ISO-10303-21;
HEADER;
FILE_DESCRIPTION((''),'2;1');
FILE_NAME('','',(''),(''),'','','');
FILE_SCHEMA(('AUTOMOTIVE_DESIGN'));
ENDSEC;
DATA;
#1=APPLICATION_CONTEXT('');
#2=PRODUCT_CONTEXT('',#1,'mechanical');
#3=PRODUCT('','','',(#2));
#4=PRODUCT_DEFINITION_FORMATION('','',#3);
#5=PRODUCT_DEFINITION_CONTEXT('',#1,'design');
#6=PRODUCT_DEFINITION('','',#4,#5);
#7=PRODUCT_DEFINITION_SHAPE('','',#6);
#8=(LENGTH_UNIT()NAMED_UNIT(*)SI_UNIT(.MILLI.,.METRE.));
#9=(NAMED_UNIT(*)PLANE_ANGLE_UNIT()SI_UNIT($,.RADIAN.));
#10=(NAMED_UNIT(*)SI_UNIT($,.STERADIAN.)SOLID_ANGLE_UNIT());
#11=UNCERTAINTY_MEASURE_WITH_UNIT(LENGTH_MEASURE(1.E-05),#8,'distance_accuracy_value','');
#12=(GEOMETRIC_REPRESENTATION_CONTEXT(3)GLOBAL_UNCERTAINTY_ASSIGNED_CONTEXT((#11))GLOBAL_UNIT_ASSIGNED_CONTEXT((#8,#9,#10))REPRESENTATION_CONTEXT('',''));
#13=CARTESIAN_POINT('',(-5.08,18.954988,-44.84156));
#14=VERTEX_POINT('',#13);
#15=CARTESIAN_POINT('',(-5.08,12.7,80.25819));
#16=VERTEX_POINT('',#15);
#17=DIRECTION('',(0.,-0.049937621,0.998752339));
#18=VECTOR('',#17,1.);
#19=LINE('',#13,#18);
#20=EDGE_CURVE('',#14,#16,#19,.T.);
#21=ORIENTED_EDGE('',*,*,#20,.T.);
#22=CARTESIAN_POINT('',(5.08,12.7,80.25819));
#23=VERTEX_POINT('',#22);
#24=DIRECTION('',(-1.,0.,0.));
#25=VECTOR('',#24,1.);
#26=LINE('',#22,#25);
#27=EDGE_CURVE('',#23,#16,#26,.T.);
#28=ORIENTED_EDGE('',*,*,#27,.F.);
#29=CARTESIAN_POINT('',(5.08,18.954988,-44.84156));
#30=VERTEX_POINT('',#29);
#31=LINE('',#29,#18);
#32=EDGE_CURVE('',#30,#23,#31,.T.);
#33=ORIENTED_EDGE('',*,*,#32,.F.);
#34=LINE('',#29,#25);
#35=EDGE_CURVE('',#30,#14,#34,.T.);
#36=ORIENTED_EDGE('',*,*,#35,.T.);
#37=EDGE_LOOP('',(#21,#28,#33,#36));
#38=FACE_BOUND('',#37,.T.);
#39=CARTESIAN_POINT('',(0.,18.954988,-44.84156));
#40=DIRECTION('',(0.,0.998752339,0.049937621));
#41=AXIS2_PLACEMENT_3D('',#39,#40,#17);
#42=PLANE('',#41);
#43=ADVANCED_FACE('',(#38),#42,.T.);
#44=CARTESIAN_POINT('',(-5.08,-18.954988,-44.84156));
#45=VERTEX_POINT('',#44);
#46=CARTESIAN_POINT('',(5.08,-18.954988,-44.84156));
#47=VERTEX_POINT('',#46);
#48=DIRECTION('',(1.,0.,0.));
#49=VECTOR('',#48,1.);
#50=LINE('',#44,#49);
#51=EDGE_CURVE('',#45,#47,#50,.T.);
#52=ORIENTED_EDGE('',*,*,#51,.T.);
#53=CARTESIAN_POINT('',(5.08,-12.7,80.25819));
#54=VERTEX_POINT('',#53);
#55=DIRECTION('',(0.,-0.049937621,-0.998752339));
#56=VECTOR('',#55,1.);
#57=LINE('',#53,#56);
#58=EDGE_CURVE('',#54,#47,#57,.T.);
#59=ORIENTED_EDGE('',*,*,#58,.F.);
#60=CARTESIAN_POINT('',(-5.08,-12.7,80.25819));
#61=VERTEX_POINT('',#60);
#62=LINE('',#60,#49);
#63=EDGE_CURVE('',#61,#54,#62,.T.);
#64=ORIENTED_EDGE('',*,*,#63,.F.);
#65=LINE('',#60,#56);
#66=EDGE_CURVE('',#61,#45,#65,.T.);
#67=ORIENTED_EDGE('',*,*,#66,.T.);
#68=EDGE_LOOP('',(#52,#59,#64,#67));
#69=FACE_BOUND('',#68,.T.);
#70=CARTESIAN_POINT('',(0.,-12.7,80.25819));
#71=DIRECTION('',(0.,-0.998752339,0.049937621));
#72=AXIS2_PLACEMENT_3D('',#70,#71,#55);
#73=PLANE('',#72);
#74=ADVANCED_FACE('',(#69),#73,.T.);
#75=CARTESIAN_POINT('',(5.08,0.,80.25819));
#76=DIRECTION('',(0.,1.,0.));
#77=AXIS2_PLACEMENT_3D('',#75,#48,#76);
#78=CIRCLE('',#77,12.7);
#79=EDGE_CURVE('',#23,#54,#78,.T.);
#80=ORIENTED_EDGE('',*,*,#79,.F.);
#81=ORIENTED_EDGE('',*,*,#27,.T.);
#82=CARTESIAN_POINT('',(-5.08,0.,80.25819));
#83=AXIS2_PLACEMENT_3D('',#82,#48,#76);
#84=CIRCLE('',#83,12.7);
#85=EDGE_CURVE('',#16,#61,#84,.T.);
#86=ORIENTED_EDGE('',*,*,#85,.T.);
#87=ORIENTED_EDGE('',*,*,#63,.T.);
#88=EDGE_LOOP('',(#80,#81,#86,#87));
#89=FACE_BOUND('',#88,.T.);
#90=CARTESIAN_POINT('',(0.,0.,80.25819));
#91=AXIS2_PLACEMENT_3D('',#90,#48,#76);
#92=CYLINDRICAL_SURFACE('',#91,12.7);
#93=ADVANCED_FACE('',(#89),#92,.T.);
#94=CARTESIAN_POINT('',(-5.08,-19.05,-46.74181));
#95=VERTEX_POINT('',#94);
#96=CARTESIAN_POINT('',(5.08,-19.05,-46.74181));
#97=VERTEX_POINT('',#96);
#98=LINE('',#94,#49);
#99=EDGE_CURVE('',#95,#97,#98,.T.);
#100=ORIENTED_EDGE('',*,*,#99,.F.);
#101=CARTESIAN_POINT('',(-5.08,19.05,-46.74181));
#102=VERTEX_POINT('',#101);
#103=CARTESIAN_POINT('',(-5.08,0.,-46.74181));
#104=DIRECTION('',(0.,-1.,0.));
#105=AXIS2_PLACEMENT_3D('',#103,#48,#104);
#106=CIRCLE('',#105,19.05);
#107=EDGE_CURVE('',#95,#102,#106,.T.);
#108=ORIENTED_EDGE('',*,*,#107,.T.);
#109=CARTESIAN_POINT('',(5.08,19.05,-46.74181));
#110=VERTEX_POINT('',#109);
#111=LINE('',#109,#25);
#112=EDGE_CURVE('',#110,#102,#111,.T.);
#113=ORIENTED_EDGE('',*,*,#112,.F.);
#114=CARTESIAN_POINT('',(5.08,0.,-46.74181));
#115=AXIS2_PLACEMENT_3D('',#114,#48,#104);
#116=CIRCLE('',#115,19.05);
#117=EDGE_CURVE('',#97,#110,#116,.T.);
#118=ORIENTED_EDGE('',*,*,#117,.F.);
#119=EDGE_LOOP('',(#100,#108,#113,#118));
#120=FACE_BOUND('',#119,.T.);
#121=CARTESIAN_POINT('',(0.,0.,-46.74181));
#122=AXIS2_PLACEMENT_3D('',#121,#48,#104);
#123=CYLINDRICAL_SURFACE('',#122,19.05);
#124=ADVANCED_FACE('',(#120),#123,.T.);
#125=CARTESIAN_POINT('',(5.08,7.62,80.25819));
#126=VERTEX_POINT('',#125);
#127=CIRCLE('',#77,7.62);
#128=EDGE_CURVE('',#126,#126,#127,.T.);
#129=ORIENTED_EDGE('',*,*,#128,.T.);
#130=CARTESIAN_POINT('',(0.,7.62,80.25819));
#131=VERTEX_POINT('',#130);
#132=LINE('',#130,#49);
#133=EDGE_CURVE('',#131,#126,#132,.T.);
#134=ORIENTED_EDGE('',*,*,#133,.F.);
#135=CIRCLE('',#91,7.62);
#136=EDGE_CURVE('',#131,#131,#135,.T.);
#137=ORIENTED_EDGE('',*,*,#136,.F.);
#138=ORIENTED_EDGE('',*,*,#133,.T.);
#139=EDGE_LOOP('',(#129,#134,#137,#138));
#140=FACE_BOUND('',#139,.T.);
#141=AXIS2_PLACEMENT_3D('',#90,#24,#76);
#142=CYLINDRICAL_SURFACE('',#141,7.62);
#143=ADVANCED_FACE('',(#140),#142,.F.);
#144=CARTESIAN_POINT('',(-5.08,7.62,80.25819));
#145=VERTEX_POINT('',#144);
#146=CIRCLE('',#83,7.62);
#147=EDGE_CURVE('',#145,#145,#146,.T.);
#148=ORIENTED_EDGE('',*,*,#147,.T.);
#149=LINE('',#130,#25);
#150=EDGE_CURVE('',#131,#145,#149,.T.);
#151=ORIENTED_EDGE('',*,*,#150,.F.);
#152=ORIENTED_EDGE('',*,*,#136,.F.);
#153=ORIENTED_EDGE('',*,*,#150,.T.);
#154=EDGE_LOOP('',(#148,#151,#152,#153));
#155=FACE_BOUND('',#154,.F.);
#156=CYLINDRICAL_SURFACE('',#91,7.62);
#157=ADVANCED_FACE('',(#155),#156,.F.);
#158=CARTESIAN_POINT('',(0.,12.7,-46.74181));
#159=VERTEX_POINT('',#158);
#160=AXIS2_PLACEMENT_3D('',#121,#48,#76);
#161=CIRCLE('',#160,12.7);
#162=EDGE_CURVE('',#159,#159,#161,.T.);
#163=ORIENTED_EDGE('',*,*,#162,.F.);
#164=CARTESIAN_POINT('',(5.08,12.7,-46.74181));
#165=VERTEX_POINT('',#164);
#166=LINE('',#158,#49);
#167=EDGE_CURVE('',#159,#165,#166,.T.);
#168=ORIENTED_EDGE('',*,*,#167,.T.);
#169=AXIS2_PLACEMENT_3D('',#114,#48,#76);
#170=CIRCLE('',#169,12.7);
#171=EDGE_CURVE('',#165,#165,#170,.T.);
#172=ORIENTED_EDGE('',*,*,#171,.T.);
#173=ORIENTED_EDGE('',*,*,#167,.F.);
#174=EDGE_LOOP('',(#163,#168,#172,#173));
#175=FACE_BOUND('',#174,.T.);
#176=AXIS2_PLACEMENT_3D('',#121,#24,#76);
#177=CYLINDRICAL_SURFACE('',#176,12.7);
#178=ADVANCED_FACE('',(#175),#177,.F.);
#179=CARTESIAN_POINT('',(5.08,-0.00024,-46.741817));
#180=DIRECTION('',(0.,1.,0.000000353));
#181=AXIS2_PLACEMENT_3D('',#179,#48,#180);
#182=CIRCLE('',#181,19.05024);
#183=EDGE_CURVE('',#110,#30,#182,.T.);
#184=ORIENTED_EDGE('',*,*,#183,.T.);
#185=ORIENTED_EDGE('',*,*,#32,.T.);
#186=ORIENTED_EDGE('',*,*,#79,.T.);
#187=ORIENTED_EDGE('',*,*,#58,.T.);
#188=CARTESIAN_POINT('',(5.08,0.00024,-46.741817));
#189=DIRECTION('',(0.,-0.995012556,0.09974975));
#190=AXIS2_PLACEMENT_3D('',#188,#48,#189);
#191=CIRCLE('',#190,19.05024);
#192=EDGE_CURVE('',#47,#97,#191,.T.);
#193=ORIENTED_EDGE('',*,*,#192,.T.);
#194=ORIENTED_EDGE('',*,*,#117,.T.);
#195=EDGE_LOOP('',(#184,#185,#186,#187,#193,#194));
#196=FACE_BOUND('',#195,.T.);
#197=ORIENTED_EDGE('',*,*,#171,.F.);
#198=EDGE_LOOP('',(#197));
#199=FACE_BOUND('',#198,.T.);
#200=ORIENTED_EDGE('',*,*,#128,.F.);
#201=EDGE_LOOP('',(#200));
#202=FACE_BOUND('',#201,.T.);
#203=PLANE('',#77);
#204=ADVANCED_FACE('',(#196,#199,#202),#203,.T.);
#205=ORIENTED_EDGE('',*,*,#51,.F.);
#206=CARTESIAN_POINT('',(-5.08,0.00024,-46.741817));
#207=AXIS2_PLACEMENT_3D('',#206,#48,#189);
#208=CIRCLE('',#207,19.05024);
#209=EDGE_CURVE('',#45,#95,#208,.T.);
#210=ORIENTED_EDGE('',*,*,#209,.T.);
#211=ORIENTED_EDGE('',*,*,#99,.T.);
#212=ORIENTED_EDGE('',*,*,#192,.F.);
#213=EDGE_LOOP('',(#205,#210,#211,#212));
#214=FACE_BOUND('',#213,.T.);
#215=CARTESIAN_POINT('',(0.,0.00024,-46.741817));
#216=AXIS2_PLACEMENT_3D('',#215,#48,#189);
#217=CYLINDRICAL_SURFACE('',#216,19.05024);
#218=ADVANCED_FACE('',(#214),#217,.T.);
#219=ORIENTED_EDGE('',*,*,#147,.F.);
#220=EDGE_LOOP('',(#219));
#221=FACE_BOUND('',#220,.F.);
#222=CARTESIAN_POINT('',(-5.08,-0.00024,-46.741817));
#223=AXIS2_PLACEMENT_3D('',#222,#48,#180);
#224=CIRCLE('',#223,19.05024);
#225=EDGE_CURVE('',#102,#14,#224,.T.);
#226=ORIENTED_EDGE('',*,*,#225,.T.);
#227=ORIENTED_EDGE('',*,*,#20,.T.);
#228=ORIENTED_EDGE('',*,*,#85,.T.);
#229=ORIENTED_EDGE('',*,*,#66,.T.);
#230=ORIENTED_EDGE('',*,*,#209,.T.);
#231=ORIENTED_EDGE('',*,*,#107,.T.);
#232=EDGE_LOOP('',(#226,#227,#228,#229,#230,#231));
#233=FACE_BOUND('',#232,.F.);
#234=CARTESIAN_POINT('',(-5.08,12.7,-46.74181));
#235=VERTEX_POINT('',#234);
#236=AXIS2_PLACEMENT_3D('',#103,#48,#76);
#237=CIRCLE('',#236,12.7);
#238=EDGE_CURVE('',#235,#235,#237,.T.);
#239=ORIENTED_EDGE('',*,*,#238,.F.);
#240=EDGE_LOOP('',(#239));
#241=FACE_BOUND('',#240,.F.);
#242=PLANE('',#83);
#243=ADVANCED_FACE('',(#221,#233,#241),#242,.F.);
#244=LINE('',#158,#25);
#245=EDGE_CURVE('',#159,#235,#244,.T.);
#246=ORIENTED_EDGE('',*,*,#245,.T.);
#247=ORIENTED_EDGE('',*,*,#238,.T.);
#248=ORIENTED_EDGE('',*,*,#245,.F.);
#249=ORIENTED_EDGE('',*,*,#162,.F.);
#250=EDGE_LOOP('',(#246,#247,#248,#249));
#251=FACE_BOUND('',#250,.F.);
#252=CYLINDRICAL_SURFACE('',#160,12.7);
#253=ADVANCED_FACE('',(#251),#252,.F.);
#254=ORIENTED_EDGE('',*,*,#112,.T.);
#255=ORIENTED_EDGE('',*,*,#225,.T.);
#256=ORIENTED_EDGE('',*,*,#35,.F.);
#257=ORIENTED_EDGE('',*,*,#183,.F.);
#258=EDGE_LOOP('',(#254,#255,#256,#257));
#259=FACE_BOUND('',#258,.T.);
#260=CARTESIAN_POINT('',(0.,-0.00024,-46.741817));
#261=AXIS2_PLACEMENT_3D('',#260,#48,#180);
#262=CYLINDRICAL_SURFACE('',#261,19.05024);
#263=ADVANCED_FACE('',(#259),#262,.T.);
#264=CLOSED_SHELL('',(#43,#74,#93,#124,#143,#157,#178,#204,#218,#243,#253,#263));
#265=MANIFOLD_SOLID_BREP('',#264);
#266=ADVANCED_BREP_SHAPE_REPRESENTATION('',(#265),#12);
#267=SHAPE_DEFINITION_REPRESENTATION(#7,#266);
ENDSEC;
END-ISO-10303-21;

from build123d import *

# Parameters (mm, degrees)
F0_R          = 7.62
F0_R_2        = 12.7
F1_DEPTH      = 5.08
F1_DEPTH_BACK = 5.08


with BuildPart() as f1:
    # F0 (on Right) → F1 (new body, two sides)
    with BuildSketch(Plane.YZ) as f1_sk:
        with BuildLine():
            ThreePointArc((-12.7, 80.25819), (0, 67.55819), (12.7, 80.25819))
            ThreePointArc((12.7, 80.25819), (0, 92.95819), (-12.7, 80.25819))
        make_face()
        with Locations((0, 80.25819)):
            Circle(F0_R, mode=Mode.SUBTRACT)
        with BuildLine():
            Line((18.954988, -44.84156), (12.7, 80.25819))
            ThreePointArc((12.7, 80.25819), (0, 67.55819), (-12.7, 80.25819))
            Line((-12.7, 80.25819), (-18.954988, -44.84156))
            ThreePointArc((-18.954988, -44.84156), (0, -27.69181), (18.954988, -44.84156))
        make_face()
        with BuildLine():
            Line((19.05, -46.74181), (18.954988, -44.84156))
            ThreePointArc((18.954988, -44.84156), (0, -27.69181), (-18.954988, -44.84156))
            Line((-18.954988, -44.84156), (-19.05, -46.74181))
            ThreePointArc((-19.05, -46.74181), (0, -65.79181), (19.05, -46.74181))
        make_face()
        with Locations((0, -46.74181)):
            Circle(F0_R_2, mode=Mode.SUBTRACT)
        with BuildLine():
            ThreePointArc((19.05, -46.74181), (19.026232, -45.790498), (18.954988, -44.84156))
            Line((18.954988, -44.84156), (19.05, -46.74181))
        make_face()
        with BuildLine():
            Line((-19.05, -46.74181), (-18.954988, -44.84156))
            ThreePointArc((-18.954988, -44.84156), (-19.026232, -45.790498), (-19.05, -46.74181))
        make_face()
    extrude(amount=F1_DEPTH)
    extrude(f1_sk.sketch, amount=-F1_DEPTH_BACK)


solid = f1.part
